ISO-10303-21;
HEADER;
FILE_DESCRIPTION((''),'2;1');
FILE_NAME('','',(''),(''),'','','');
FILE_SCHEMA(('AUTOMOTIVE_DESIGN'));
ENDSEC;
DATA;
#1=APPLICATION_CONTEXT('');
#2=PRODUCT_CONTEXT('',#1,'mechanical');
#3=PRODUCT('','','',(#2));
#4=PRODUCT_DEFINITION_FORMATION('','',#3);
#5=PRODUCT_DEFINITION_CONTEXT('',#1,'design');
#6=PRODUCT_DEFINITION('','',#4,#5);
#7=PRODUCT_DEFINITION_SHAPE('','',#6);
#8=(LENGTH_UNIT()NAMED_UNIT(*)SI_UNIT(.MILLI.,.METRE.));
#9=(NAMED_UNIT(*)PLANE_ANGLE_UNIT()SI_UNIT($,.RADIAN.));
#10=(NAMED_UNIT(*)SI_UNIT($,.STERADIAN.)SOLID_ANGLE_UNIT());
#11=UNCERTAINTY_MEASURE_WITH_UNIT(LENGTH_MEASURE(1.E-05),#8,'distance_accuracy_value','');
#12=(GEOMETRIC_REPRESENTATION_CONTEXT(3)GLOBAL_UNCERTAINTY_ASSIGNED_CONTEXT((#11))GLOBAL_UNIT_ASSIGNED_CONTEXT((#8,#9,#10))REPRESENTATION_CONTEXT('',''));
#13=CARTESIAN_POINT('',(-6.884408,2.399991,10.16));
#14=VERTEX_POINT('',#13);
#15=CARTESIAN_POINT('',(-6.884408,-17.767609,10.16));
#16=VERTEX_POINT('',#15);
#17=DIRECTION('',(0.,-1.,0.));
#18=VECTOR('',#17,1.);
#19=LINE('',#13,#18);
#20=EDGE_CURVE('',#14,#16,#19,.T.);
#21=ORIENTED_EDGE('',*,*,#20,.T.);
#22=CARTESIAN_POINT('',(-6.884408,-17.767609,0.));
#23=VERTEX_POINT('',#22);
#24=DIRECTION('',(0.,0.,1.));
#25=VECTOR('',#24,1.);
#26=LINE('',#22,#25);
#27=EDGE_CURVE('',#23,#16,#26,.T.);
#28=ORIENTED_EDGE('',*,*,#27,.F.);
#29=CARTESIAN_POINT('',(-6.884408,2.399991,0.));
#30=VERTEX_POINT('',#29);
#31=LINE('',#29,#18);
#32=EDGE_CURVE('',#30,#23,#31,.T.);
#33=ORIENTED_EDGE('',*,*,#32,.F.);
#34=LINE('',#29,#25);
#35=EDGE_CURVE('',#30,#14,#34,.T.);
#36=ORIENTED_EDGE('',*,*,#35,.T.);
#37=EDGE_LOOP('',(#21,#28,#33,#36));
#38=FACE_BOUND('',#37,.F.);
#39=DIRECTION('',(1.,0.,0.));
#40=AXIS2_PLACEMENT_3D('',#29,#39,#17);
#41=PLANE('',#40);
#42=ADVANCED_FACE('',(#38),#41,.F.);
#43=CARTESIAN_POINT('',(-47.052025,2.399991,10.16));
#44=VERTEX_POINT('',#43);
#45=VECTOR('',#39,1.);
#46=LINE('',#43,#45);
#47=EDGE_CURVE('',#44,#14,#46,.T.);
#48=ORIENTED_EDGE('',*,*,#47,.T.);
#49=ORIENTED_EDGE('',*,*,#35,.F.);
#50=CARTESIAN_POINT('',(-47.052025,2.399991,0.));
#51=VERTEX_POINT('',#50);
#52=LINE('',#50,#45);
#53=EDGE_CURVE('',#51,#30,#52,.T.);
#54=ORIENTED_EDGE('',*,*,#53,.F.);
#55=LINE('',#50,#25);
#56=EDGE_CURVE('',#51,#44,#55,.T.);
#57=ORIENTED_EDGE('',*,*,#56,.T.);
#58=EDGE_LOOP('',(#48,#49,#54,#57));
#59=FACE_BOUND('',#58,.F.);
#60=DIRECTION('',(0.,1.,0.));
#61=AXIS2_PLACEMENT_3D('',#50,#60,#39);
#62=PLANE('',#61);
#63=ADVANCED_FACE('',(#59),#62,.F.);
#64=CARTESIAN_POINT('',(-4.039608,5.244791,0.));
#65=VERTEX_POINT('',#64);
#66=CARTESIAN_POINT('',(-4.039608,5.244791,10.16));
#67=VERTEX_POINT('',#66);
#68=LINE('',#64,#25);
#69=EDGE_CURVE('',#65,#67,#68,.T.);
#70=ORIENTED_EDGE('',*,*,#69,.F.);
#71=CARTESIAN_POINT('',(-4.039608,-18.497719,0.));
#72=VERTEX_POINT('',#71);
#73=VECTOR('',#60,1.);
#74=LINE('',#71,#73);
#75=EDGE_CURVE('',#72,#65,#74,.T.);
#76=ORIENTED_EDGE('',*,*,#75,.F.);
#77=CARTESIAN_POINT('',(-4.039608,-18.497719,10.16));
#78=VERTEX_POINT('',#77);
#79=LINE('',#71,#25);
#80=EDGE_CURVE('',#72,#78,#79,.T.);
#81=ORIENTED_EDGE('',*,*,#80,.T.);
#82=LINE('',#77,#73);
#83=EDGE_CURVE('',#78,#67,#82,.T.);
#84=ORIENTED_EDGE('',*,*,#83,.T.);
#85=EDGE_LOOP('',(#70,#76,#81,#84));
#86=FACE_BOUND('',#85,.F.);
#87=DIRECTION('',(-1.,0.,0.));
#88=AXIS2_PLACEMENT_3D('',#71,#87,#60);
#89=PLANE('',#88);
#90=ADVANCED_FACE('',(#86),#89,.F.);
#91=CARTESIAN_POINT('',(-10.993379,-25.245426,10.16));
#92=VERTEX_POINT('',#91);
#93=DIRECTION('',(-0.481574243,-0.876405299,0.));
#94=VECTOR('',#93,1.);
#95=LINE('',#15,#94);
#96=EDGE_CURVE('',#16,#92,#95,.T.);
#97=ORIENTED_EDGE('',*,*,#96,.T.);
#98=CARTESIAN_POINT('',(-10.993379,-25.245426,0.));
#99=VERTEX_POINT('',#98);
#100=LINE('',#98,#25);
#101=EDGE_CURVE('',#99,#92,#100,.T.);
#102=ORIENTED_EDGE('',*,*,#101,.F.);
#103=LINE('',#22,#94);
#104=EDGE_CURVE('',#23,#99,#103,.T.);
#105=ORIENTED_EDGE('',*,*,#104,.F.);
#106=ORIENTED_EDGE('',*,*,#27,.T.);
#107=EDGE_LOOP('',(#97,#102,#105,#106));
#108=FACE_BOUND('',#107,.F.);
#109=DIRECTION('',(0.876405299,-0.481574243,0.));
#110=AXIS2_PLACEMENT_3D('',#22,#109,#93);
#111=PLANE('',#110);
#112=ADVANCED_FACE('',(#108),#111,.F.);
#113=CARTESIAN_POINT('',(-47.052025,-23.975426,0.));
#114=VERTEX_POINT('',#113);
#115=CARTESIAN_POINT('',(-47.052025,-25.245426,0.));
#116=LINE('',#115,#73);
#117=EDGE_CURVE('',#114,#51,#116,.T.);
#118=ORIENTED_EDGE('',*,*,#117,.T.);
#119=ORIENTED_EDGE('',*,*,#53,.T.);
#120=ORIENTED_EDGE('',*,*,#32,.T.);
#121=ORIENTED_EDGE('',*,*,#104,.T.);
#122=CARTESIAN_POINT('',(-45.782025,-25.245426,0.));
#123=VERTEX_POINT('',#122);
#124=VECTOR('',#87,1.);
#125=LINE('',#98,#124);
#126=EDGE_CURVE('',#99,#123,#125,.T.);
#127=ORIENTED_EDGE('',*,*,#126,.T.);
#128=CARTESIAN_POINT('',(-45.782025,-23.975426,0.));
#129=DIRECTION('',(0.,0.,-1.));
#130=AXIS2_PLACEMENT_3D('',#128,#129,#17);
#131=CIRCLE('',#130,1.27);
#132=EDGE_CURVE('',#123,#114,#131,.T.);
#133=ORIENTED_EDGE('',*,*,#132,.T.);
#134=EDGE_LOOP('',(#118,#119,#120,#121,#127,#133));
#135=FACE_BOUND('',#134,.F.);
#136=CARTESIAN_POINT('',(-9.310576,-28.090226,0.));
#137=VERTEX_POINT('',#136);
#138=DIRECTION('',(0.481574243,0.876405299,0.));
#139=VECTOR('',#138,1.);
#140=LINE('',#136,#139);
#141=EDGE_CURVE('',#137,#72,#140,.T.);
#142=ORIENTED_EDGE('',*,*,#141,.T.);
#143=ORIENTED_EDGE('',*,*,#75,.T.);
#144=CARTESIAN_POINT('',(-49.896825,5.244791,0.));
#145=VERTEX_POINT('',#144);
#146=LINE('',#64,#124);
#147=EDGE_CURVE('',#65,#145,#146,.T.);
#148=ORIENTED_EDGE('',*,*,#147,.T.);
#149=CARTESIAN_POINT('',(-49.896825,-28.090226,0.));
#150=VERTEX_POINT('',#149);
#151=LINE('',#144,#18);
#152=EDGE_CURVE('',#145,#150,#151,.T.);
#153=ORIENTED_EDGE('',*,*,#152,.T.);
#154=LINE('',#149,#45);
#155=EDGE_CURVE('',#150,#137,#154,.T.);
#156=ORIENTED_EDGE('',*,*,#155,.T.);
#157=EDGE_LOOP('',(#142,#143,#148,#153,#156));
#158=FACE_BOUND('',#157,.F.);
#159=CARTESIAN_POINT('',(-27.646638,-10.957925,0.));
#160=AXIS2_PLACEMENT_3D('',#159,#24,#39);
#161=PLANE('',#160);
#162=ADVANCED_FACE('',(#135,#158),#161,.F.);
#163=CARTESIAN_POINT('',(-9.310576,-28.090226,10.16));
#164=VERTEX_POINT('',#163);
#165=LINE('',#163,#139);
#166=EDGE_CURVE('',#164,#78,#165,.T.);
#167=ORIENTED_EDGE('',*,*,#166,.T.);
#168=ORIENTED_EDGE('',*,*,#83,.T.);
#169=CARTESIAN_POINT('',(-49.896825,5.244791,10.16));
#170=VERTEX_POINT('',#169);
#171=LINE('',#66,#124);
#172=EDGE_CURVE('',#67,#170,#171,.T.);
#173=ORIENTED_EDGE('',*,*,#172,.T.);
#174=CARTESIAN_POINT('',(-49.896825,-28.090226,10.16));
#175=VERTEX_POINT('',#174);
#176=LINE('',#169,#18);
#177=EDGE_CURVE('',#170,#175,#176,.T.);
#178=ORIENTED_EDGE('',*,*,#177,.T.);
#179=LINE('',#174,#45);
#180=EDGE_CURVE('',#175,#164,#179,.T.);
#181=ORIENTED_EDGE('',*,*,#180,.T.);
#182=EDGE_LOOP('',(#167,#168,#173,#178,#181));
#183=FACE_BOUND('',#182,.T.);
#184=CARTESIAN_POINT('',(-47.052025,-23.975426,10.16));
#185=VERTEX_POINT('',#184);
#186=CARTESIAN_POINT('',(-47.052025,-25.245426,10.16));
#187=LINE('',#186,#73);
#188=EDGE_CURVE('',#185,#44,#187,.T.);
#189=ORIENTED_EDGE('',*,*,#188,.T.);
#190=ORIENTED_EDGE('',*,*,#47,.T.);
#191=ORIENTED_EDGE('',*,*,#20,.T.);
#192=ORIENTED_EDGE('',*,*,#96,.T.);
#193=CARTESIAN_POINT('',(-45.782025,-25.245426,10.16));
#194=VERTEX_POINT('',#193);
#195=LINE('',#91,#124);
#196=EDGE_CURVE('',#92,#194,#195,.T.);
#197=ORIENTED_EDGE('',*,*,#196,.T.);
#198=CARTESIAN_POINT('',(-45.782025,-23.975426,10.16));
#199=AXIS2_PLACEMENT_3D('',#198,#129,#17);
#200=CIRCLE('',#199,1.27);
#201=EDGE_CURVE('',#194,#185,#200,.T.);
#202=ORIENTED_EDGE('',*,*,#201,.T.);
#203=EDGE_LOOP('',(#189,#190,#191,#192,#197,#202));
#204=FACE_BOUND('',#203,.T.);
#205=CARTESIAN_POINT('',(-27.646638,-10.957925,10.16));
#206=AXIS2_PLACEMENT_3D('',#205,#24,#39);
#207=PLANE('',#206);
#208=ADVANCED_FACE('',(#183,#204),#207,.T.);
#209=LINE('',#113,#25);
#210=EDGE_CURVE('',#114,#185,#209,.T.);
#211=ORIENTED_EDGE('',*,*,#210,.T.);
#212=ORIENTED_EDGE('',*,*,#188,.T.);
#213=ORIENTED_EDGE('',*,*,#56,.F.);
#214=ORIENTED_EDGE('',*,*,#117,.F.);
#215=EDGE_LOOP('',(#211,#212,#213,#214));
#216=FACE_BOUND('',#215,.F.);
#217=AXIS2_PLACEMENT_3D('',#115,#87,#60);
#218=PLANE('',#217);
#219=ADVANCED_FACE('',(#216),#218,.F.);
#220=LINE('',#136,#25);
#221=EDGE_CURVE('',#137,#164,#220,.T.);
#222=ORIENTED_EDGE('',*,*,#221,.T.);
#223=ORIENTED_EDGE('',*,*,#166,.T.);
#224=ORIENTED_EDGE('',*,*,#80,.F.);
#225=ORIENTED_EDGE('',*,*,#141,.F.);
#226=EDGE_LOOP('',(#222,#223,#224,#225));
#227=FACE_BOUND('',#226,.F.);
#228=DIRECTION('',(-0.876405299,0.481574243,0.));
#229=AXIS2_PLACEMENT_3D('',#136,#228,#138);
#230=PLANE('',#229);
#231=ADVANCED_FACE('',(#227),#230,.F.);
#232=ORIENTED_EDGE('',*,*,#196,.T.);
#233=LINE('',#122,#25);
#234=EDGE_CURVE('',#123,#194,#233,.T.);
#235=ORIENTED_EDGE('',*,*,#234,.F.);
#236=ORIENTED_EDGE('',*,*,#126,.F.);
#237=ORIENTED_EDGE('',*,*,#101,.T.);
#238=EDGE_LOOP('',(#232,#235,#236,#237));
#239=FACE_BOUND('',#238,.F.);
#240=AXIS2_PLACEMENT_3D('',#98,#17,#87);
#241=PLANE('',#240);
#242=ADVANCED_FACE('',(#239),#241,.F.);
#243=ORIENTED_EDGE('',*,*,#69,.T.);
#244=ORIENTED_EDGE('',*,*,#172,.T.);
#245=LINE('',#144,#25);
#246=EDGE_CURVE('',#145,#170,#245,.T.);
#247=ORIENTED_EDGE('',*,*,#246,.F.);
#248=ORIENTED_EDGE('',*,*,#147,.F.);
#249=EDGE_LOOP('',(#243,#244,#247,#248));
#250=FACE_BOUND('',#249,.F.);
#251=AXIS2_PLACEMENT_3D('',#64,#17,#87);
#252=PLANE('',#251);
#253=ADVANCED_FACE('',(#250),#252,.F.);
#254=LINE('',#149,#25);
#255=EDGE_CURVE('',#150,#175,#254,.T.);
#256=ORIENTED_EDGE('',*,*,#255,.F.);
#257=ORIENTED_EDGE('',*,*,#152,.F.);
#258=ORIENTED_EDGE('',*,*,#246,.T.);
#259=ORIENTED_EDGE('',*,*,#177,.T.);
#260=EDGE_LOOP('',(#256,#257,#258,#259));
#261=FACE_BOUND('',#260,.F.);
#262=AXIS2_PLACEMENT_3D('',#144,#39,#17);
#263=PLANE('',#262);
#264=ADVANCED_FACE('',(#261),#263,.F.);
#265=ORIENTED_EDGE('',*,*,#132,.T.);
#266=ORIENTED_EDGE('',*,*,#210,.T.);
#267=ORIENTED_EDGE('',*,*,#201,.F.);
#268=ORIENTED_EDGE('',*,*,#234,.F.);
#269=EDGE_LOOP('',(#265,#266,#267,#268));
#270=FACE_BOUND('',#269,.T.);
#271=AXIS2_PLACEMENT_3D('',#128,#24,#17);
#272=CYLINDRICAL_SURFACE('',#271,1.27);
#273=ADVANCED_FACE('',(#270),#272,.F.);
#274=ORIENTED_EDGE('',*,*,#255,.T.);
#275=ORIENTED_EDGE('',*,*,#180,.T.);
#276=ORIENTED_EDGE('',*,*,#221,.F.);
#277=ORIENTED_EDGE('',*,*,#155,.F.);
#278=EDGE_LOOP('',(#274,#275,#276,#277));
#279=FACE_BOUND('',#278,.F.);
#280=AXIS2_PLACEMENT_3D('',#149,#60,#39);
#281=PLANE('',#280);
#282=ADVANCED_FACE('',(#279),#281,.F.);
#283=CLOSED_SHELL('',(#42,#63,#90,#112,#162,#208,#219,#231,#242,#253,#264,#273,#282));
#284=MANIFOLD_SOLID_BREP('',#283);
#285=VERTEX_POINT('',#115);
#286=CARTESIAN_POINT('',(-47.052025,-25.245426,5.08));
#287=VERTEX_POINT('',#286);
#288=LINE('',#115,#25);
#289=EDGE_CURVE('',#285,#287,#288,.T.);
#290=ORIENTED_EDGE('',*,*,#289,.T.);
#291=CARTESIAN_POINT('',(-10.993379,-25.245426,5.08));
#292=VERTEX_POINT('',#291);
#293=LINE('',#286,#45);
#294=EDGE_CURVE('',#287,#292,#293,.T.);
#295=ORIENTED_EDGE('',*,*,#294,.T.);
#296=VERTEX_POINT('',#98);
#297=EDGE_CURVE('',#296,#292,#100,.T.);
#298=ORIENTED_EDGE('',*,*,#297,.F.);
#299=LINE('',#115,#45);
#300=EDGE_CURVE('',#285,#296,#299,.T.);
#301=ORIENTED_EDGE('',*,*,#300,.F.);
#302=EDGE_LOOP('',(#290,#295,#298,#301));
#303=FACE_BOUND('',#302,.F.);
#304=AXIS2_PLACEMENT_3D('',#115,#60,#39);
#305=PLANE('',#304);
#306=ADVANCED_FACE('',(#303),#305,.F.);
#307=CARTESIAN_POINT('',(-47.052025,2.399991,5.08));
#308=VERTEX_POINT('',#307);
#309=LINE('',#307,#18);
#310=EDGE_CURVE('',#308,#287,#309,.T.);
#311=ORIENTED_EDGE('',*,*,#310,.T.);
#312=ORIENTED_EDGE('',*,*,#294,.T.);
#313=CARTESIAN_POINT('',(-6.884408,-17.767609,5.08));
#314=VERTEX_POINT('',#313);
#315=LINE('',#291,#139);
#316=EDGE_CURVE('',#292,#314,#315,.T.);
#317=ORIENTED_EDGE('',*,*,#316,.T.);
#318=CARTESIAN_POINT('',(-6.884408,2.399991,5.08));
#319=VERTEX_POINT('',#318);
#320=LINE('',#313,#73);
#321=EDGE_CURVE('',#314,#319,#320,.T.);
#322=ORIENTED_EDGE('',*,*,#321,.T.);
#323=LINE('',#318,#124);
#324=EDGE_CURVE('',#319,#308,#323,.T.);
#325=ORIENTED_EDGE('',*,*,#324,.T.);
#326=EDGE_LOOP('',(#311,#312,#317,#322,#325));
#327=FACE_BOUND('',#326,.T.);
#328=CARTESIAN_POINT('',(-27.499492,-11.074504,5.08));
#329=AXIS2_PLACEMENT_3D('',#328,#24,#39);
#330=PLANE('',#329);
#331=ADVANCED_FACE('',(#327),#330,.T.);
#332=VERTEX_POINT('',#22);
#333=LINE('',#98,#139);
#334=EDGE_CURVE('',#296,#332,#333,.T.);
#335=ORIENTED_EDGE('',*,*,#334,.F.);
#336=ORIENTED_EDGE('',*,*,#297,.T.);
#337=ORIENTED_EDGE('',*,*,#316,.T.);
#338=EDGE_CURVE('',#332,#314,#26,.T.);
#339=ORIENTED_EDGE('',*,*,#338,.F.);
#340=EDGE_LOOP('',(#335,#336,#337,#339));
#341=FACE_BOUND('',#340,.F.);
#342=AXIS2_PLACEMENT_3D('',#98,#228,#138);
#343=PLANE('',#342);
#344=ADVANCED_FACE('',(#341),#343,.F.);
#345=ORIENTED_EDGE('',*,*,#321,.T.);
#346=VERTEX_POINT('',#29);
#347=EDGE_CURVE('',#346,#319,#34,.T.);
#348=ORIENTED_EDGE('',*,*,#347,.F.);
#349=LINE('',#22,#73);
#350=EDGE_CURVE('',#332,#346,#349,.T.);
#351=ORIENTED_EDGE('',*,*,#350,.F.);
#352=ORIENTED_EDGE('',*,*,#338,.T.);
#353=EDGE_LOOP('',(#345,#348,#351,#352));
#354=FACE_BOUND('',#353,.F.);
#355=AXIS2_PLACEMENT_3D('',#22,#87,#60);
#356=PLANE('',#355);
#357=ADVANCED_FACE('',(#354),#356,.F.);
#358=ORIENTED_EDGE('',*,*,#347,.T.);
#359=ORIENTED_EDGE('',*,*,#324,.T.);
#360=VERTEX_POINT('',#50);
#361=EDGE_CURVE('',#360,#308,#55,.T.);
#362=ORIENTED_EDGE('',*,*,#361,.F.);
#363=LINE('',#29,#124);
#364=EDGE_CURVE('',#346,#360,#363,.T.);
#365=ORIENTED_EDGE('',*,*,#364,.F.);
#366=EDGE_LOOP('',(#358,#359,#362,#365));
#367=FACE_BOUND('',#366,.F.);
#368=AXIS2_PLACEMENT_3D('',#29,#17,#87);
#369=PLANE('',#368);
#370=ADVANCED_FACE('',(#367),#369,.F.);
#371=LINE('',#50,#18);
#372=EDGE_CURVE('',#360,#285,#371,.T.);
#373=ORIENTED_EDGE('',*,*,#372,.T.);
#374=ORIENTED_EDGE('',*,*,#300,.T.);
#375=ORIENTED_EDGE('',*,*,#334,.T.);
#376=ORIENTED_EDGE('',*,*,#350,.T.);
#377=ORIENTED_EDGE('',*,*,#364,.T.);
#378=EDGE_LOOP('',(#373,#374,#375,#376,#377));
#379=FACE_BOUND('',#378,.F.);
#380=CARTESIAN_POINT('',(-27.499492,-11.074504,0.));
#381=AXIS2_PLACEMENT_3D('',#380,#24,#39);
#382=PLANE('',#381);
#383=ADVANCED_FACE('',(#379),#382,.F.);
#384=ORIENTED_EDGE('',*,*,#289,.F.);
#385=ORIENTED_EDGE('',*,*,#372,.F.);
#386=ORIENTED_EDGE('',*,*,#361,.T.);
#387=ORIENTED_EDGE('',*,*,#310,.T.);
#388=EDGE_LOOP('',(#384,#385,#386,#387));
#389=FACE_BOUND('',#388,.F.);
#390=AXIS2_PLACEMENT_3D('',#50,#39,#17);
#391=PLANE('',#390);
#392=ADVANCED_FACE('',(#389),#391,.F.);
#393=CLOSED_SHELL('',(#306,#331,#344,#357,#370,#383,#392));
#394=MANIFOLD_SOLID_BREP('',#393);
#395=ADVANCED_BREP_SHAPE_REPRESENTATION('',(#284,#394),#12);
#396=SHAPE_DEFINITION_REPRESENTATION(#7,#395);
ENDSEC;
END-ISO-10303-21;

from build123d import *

# Parameters (mm, degrees)
F1_DEPTH = 10.16
F3_DEPTH = 5.08
F4_R     = 1.27


with BuildPart() as f1:
    # F0 (on Top) → F1 (new body)
    with BuildSketch(Plane.XY):
        Polygon((-9.3105762227, -28.0902255327), (-4.0396083556, -18.4977187932), (-4.0396083556, 5.2447912779), (-49.8968251661, 5.2447912779), (-49.8968251661, -28.0902255327), align=None)
        Polygon((-47.0520251661, -25.2454255327), (-47.0520251661, 2.3999912779), (-6.8844083556, 2.3999912779), (-6.8844083556, -17.7676087221), (-10.9933793675, -25.2454255327), align=None, mode=Mode.SUBTRACT)
    extrude(amount=F1_DEPTH)

    # F4
    f4_edges = [f1.edges().sort_by_distance(p)[0] for p in [
        (-47.052025, -25.245426, 5.08),
    ]]
    fillet(f4_edges, radius=F4_R)


with BuildPart() as f3:
    # F2 (on face) → F3 (new body)
    with BuildSketch(Plane.XY):
        Polygon((-6.8844083556, -17.7676087221), (-6.8844083556, 2.3999912779), (-47.0520251661, 2.3999912779), (-47.0520251661, -25.2454255327), (-10.9933793675, -25.2454255327), align=None)
    extrude(amount=F3_DEPTH)


solid = Compound([f1.part, f3.part])
